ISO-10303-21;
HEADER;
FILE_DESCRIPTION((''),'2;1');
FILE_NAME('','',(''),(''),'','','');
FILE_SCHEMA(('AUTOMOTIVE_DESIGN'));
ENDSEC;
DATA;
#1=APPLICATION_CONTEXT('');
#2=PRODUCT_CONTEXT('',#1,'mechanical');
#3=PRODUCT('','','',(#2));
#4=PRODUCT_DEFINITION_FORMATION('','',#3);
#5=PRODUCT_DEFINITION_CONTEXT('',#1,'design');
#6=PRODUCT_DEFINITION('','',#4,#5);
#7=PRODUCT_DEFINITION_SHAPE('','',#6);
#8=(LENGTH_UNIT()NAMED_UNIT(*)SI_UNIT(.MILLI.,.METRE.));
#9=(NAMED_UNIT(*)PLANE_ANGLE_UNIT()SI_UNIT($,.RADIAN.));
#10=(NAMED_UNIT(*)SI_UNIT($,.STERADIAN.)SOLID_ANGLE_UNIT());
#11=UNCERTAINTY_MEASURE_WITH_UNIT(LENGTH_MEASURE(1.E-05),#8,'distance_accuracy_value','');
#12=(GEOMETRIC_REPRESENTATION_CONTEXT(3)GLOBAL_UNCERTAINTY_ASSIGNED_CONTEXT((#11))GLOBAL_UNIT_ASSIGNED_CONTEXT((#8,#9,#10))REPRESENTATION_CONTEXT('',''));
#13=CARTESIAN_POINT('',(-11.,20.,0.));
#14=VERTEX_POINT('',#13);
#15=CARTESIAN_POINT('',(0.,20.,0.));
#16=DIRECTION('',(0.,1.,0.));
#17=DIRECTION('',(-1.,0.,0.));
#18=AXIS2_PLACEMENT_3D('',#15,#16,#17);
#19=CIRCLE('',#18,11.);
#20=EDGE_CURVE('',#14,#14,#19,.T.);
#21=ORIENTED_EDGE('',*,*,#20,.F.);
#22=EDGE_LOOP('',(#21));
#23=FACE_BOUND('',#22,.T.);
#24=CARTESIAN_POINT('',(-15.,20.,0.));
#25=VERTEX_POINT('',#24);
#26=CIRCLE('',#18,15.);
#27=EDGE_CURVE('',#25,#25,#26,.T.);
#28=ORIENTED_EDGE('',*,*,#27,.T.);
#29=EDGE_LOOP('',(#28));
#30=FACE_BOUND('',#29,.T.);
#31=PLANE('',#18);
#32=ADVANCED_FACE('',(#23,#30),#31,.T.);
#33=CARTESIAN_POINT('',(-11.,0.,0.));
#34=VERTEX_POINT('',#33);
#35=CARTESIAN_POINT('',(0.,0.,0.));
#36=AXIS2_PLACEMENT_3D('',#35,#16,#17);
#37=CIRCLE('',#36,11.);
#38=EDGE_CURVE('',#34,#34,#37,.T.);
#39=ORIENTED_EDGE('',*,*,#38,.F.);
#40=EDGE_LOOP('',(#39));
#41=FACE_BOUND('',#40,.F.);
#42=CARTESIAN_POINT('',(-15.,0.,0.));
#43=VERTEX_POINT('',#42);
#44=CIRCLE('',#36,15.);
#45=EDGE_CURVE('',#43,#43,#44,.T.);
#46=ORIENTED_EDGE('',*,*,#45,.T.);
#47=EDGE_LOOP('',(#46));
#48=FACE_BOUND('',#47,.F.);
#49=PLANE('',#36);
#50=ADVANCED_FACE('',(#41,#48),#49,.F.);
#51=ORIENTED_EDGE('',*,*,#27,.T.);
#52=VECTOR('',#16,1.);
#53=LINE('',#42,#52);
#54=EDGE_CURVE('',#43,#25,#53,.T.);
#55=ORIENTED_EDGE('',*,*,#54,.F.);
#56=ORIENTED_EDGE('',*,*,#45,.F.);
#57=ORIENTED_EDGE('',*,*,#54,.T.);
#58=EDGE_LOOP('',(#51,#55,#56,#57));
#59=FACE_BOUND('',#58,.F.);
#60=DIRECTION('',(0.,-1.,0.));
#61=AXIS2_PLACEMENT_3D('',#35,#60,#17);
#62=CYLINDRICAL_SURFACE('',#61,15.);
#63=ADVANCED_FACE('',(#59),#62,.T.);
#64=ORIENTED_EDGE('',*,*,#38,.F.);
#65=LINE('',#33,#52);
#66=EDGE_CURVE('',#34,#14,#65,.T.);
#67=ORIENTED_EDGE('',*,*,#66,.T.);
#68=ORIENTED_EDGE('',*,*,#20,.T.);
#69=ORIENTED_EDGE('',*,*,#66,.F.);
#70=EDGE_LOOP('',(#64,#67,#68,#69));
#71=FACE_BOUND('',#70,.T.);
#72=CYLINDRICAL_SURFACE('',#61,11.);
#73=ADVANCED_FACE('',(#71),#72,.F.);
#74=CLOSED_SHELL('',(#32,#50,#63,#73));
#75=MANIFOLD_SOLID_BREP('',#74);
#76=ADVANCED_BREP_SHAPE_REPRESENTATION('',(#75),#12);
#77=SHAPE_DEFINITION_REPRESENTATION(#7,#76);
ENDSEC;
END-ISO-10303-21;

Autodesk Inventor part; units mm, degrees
ref_plane "YZ Plane" through (0, 0, 0) normal (1, 0, 0) x (0, 1, 0)
ref_plane "XZ Plane" through (0, 0, 0) normal (0, 1, 0) x (-1, 0, 0)
ref_plane "XY Plane" through (0, 0, 0) normal (0, 0, 1) x (1, 0, 0)
sketch "Esboço1" plane through (0, 0, 0) normal (0, 1, 0) x (-1, 0, 0)
  circle A0 centre (0, 0) radius 11
  circle A1 centre (0, 0) radius 15
  dimension "d0" = 22
  dimension "d1" = 30
extrude "Extrusão1" add sketch "Esboço1" along normal blind 20
properties part number "Roda - Pneu" material "Borracha, Silicone"
